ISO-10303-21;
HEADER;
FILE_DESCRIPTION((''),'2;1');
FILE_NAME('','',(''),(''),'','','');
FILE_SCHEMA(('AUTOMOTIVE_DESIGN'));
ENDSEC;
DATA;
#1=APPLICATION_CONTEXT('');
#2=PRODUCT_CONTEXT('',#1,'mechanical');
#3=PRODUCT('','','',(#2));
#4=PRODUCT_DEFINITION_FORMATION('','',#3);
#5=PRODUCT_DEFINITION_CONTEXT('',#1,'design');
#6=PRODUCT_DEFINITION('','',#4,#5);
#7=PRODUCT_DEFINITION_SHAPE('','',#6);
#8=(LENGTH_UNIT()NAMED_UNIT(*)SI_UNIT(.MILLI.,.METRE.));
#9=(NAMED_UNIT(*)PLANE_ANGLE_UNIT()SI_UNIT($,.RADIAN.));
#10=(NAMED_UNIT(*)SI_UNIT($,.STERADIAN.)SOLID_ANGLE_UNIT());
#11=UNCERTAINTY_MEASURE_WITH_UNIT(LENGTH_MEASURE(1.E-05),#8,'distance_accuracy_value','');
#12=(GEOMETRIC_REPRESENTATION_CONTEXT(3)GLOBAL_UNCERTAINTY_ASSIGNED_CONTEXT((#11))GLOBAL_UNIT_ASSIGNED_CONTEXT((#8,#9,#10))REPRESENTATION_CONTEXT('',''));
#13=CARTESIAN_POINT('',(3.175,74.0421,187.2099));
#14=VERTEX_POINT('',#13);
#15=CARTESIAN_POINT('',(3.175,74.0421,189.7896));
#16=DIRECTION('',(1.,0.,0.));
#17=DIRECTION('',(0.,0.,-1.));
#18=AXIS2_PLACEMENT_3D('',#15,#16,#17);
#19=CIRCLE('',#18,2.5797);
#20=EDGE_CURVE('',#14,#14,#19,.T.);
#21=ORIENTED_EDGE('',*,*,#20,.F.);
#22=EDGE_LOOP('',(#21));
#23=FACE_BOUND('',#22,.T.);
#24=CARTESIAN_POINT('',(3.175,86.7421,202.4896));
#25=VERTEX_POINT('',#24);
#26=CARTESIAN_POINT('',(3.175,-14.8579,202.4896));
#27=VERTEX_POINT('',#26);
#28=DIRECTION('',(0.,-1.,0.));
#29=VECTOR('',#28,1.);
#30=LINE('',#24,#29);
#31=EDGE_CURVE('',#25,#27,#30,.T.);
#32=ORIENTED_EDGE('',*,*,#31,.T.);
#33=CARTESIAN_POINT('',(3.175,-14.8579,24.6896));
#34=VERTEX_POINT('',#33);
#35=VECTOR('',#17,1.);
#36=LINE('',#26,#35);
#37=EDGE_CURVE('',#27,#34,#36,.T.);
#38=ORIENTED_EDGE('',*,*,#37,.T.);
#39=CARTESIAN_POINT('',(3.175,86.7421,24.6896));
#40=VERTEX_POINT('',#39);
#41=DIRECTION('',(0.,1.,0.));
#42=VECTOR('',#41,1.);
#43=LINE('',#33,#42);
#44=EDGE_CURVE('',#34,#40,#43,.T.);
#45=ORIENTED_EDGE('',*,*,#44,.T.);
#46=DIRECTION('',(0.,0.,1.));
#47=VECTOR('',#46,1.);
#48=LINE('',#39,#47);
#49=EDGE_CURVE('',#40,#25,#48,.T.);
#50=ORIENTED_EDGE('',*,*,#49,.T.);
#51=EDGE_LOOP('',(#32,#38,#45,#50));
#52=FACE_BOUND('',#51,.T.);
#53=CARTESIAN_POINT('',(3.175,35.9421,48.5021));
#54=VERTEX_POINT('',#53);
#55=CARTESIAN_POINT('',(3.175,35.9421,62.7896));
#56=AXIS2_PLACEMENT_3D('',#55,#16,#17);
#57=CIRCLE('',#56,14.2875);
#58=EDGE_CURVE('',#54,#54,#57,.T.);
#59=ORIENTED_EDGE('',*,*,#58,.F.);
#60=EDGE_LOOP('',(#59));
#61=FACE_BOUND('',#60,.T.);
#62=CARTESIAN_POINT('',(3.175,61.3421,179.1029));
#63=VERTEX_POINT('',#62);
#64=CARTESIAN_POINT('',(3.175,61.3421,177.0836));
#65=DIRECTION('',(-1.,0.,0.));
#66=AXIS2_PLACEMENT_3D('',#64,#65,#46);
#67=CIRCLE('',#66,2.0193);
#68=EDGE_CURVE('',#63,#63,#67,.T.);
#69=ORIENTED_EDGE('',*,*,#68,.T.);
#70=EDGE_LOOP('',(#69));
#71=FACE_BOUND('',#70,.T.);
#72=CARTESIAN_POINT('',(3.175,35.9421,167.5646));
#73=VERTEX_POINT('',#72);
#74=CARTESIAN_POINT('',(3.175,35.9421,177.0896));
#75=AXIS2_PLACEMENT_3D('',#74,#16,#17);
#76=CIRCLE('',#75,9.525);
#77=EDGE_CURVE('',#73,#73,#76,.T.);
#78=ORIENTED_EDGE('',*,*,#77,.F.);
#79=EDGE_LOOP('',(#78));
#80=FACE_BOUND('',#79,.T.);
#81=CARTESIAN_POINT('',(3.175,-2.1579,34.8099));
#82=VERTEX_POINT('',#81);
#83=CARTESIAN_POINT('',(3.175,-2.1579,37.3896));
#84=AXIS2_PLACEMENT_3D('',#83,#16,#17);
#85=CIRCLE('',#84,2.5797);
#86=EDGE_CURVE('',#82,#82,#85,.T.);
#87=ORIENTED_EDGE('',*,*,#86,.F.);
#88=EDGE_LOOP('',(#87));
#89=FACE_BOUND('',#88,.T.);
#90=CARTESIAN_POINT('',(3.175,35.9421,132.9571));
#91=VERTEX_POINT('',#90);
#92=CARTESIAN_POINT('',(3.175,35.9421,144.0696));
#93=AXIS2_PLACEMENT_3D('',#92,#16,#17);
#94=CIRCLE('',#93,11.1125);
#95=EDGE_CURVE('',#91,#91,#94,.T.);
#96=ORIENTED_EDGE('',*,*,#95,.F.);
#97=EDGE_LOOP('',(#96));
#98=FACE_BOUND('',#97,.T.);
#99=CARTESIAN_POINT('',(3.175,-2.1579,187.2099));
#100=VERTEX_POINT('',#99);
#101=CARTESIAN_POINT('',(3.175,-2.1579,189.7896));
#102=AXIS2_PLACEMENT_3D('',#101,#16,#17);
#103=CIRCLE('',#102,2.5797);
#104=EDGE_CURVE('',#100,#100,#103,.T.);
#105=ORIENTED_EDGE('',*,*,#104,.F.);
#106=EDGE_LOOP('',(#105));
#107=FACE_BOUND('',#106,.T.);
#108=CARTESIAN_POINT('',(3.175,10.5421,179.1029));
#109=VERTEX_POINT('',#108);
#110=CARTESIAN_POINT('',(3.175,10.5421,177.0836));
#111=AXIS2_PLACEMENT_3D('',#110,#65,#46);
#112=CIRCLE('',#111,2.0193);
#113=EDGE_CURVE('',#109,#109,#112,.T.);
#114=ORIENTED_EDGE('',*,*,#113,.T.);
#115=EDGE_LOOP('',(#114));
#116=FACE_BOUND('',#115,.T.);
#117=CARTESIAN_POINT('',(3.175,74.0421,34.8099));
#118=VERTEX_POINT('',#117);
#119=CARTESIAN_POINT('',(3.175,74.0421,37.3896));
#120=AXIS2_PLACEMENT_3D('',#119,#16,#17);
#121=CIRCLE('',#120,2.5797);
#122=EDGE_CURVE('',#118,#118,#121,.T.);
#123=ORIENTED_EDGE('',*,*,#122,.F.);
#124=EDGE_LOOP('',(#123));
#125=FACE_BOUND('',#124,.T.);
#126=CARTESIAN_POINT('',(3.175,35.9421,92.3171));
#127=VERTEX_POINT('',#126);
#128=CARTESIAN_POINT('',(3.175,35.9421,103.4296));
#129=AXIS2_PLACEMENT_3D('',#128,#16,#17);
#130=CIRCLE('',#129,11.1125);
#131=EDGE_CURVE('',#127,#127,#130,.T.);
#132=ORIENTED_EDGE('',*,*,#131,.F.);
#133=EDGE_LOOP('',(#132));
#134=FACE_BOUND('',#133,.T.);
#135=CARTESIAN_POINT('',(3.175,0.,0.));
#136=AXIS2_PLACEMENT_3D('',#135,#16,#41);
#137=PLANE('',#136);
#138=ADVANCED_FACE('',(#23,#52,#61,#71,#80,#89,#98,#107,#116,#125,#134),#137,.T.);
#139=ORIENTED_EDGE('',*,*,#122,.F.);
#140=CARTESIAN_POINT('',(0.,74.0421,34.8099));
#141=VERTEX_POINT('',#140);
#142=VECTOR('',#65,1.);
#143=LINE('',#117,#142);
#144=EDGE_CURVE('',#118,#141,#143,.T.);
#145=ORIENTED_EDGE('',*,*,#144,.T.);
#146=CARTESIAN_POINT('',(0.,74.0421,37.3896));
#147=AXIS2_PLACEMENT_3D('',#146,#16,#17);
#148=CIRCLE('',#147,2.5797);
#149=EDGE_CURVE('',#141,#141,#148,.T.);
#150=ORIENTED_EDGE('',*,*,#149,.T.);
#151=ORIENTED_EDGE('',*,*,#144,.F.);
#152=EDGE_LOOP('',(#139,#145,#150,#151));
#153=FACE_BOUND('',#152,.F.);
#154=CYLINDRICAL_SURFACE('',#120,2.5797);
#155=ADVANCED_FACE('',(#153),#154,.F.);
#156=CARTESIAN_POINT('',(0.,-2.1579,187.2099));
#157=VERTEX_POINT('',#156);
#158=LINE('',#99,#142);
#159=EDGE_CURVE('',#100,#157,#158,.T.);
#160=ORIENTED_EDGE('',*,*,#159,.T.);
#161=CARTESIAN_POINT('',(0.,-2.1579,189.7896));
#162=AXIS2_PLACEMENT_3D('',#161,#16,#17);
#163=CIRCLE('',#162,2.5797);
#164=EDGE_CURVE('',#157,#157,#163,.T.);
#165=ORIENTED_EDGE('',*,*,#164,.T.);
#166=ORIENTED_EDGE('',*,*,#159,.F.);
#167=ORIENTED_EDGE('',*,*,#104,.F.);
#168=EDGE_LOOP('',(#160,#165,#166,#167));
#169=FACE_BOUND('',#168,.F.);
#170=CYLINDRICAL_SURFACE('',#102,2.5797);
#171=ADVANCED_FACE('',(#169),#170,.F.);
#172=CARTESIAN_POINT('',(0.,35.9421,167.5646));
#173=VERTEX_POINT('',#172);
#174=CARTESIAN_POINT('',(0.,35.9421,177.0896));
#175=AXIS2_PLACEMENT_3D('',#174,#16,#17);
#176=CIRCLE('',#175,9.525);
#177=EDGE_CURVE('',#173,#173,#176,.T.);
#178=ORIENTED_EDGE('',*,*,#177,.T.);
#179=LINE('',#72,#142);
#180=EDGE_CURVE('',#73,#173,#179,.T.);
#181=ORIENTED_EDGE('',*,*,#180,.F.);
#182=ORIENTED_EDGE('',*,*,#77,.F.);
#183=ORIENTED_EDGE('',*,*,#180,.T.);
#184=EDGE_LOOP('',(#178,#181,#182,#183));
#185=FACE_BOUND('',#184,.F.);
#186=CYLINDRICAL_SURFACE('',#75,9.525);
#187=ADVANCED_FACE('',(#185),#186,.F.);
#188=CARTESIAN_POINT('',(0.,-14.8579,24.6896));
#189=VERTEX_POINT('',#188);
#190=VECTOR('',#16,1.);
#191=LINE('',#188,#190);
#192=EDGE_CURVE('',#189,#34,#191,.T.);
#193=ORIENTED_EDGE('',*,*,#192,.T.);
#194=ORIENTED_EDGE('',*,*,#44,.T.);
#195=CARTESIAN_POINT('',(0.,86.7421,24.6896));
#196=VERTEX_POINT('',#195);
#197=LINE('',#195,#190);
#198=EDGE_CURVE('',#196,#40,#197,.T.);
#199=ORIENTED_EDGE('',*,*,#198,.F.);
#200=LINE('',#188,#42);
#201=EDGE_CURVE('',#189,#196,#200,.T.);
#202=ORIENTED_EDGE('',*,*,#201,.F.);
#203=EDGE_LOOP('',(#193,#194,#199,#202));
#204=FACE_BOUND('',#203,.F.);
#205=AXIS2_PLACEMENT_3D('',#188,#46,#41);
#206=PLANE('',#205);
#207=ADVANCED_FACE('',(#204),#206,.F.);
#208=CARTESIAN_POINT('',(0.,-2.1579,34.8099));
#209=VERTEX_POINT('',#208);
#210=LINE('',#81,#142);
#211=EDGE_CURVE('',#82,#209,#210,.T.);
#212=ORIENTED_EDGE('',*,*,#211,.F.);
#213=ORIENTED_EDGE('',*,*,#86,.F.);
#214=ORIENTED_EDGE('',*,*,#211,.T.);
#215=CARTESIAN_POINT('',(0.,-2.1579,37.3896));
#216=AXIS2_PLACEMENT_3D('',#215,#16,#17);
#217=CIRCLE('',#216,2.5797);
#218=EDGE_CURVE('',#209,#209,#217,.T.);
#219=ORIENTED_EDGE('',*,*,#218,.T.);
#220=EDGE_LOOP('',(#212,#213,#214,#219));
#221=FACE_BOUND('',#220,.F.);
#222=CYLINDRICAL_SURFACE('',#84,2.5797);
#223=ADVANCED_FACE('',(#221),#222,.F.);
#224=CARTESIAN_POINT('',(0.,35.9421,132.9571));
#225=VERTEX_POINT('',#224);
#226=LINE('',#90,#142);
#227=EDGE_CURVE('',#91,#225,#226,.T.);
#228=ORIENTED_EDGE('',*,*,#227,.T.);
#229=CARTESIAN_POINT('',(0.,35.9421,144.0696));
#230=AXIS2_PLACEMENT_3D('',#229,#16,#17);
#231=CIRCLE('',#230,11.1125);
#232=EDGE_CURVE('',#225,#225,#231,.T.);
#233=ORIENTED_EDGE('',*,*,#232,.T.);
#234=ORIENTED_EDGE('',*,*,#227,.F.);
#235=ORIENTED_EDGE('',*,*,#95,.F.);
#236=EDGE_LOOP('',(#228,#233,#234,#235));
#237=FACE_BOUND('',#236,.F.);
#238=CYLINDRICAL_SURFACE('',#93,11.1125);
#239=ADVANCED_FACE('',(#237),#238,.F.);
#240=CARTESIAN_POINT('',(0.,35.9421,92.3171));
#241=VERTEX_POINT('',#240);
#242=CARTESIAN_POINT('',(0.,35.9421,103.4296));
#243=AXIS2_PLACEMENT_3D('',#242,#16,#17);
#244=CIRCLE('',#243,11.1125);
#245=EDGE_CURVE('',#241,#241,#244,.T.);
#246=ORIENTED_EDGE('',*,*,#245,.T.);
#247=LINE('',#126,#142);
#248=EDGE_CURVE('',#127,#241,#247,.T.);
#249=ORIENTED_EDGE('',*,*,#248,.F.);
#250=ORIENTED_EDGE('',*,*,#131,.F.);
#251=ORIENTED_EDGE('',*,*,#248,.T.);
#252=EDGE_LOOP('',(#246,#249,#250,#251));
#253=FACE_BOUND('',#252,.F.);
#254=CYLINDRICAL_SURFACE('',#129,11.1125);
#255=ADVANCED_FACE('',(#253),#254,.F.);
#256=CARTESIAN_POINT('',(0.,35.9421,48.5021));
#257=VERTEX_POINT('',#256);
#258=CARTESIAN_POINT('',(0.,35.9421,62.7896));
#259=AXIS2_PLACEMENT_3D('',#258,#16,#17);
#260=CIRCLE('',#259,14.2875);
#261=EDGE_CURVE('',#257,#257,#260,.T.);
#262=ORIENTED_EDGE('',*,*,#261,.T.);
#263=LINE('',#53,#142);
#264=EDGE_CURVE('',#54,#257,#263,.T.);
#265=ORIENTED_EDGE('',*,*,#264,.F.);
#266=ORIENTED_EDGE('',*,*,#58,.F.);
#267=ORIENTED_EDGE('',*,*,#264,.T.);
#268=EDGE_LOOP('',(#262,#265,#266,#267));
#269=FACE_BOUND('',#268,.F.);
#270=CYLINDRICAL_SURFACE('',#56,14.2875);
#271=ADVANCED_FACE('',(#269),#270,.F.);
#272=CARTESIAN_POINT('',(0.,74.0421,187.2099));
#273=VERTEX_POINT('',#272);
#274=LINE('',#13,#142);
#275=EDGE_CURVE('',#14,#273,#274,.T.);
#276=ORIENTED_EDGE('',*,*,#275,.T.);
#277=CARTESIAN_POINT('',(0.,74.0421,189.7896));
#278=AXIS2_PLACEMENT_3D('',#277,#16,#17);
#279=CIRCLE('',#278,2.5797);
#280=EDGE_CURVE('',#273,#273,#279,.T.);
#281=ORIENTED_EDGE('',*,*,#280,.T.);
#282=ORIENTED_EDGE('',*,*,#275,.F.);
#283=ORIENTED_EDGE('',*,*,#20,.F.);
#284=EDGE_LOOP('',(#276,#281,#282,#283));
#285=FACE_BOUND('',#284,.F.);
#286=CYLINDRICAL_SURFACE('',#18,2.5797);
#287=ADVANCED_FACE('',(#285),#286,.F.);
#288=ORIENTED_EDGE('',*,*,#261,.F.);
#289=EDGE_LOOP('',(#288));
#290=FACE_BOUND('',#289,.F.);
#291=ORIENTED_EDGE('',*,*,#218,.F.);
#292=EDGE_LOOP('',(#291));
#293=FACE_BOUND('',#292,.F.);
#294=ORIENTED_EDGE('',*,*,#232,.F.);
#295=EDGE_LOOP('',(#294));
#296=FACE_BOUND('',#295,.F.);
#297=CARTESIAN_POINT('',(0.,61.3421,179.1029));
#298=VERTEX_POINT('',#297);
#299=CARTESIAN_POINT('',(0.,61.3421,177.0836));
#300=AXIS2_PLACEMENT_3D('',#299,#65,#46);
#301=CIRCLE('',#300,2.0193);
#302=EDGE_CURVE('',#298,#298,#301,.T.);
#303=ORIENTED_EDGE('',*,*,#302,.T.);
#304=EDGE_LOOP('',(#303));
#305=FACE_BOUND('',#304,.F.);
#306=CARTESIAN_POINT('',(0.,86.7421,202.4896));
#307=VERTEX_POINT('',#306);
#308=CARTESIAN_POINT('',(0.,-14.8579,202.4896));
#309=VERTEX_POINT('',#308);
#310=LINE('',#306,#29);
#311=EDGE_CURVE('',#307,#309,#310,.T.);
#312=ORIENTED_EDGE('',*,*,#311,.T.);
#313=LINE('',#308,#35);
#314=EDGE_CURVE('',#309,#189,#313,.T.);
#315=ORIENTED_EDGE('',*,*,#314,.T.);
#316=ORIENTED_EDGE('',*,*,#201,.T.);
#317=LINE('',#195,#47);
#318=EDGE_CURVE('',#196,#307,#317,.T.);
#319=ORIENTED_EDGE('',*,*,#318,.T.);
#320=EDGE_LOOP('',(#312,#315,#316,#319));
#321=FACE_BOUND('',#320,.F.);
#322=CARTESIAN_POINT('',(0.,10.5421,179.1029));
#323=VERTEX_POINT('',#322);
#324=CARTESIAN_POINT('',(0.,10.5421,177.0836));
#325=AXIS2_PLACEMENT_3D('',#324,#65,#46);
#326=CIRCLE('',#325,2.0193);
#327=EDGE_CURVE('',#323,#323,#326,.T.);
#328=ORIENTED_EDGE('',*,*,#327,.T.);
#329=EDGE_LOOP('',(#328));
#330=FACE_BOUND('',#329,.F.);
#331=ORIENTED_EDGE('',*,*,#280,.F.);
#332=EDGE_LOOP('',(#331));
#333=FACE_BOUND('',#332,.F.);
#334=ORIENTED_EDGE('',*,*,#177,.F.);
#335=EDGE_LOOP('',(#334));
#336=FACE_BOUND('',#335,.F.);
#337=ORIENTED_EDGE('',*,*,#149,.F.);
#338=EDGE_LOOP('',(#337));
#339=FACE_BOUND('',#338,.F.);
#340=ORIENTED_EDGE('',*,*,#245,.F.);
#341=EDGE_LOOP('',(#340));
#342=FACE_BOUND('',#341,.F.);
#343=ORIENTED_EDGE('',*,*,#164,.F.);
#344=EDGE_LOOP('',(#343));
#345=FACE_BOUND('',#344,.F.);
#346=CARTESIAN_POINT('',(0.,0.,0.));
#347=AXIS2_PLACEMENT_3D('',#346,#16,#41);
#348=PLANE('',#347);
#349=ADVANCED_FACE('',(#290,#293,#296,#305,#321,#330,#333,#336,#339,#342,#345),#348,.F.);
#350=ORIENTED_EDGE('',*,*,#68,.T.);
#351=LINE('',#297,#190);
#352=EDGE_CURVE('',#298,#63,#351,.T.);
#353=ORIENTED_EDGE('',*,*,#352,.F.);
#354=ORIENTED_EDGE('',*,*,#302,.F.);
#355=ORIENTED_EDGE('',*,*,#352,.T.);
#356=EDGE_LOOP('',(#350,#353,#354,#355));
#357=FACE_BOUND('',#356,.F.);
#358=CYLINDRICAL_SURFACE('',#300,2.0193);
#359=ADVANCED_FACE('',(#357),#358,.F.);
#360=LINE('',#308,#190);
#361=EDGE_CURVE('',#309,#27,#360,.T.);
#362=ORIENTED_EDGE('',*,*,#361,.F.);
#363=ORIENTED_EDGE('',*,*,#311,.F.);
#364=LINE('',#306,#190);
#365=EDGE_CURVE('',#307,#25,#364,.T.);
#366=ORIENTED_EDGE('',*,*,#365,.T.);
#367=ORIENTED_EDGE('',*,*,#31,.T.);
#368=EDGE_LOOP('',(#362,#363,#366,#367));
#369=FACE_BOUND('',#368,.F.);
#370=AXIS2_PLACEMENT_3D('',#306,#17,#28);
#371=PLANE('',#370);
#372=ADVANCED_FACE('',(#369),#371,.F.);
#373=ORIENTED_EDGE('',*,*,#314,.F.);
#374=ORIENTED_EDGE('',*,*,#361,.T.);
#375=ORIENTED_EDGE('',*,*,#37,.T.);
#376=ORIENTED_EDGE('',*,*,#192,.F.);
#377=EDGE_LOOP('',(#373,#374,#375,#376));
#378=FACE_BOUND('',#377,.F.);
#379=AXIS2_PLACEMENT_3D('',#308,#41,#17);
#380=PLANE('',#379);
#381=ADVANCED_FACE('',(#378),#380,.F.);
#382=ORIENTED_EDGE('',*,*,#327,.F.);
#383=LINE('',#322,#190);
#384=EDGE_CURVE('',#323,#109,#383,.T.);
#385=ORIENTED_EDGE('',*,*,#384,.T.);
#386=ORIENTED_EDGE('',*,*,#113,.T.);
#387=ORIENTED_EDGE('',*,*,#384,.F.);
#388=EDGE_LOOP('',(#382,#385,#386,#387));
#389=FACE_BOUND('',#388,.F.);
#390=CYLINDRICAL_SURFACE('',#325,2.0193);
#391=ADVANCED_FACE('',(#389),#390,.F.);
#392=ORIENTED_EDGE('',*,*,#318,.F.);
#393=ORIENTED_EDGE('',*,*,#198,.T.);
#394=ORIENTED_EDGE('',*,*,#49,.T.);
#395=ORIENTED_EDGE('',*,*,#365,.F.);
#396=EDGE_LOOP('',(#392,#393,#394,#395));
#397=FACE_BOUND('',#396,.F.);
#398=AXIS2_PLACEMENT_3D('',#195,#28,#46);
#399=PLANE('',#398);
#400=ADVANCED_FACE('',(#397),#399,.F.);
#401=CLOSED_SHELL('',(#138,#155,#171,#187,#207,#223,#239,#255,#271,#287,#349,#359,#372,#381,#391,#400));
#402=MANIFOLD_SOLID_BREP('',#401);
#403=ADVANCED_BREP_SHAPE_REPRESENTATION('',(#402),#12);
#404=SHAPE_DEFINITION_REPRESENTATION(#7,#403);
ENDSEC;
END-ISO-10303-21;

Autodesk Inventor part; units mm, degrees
ref_plane "YZ Plane" through (0, 0, 0) normal (1, 0, 0) x (0, 1, 0)
ref_plane "XZ Plane" through (0, 0, 0) normal (0, 1, 0) x (-1, 0, 0)
ref_plane "XY Plane" through (0, 0, 0) normal (0, 0, 1) x (1, 0, 0)
sketch "Sketch1" plane through (0, 0, 0) normal (1, 0, 0) x (0, 1, 0)
  line L0 (86.7421, 202.4896) -> (-14.8579, 202.4896)
  line L1 (-14.8579, 202.4896) -> (-14.8579, 24.6896)
  line L2 (-14.8579, 24.6896) -> (86.7421, 24.6896)
  line L3 (86.7421, 24.6896) -> (86.7421, 202.4896)
  line L4 (86.7421, 202.4896) -> (86.7421, 227.8896) construction
  point P0 (0, 0)
  dimension "d0" = 101.6
  dimension "d1" = 177.8
  dimension "d23" = 25.4
extrude "Extrusion1" add sketch "Sketch1" along normal blind 3.175
sketch "Sketch2" plane through (3.175, 0, 0) normal (1, 0, 0) x (0, 0, -1)
  line L0 (-202.4896, 86.7421) -> (-202.4896, -14.8579) construction
  line L1 (-202.4896, 35.9421) -> (-177.0896, 35.9421) construction
  line L2 (-177.0896, 35.9421) -> (-144.0696, 35.9421) construction
  circle A0 centre (-144.0696, 35.9421) radius 11.1125
  line L3 (-144.0696, 35.9421) -> (-103.4296, 35.9421) construction
  line L4 (-103.4296, 35.9421) -> (-62.7896, 35.9421) construction
  circle A1 centre (-103.4296, 35.9421) radius 11.1125
  circle A2 centre (-62.7896, 35.9421) radius 14.2875
  circle A3 centre (-177.0896, 35.9421) radius 9.525
  point P0 (0, 0)
  dimension "d4" = 25.4
  dimension "d5" = 33.02
  dimension "d7" = 22.225
  dimension "d8" = 40.64
  dimension "d9" = 40.64
  dimension "d10" = 22.225
  dimension "d11" = 28.575
  dimension "d14" = 19.05
extrude "Extrusion2" cut sketch "Sketch2" against normal blind 12.7
sketch "Sketch3" plane through (0, 0, 0) normal (-1, 0, 0) x (0, 0, 1)
  circle A0 centre (177.0896, 35.9421) radius 9.525 projected
  circle A1 centre (177.0836, 61.3421) radius 2.0193
  circle A2 centre (177.0836, 10.5421) radius 2.0193
  line L0 (177.0836, 61.3421) -> (177.0836, 10.5421) construction
  point P0 (0, 0)
  dimension "d17" = 4.0386
  dimension "d18" = 4.0386
extrude "Extrusion3" cut sketch "Sketch3" against normal blind 25.4 contours A1 | A2
sketch "Sketch4" plane through (3.175, 0, 0) normal (1, 0, 0) x (0, 0, -1)
  line L0 (-24.6896, 86.7421) -> (-202.4896, 86.7421) construction
  line L1 (-202.4896, 86.7421) -> (-189.7896, 86.7421) construction
  line L2 (-189.7896, 86.7421) -> (-189.7896, 74.0421) construction
  line L3 (-189.7896, 74.0421) -> (-202.4896, 74.0421) construction
  line L4 (-202.4896, 74.0421) -> (-202.4896, 86.7421) construction
  line L5 (-202.4896, 86.7421) -> (-202.4896, -14.8579) construction
  line L6 (-202.4896, -14.8579) -> (-189.7896, -14.8579) construction
  line L7 (-189.7896, -14.8579) -> (-189.7896, -2.1579) construction
  line L8 (-189.7896, -2.1579) -> (-202.4896, -2.1579) construction
  line L9 (-202.4896, -2.1579) -> (-202.4896, -14.8579) construction
  line L10 (-202.4896, -14.8579) -> (-24.6896, -14.8579) construction
  line L11 (-24.6896, -14.8579) -> (-37.3896, -14.8579) construction
  line L12 (-37.3896, -14.8579) -> (-37.3896, -2.1579) construction
  line L13 (-37.3896, -2.1579) -> (-24.6896, -2.1579) construction
  line L14 (-24.6896, -2.1579) -> (-24.6896, -14.8579) construction
  line L15 (-24.6896, 86.7421) -> (-37.3896, 86.7421) construction
  line L16 (-37.3896, 86.7421) -> (-37.3896, 74.0421) construction
  line L17 (-37.3896, 74.0421) -> (-24.6896, 74.0421) construction
  line L18 (-24.6896, 74.0421) -> (-24.6896, 86.7421) construction
  circle A0 centre (-189.7896, 74.0421) radius 2.5797
  circle A1 centre (-37.3896, 74.0421) radius 2.5797
  circle A2 centre (-37.3896, -2.1579) radius 2.5797
  circle A3 centre (-189.7896, -2.1579) radius 2.5797
  point P0 (0, 0)
  dimension "d24" = 12.7
  dimension "d25" = 12.7
  dimension "d26" = 12.7
  dimension "d27" = 12.7
  dimension "d28" = 12.7
  dimension "d29" = 12.7
  dimension "d30" = 12.7
  dimension "d31" = 12.7
  dimension "d32" = 5.1594
  dimension "d33" = 5.1594
  dimension "d34" = 5.1594
  dimension "d35" = 5.1594
extrude "Extrusion4" cut sketch "Sketch4" against normal blind 25.4
properties part number "ARm Gearbox Plate"
